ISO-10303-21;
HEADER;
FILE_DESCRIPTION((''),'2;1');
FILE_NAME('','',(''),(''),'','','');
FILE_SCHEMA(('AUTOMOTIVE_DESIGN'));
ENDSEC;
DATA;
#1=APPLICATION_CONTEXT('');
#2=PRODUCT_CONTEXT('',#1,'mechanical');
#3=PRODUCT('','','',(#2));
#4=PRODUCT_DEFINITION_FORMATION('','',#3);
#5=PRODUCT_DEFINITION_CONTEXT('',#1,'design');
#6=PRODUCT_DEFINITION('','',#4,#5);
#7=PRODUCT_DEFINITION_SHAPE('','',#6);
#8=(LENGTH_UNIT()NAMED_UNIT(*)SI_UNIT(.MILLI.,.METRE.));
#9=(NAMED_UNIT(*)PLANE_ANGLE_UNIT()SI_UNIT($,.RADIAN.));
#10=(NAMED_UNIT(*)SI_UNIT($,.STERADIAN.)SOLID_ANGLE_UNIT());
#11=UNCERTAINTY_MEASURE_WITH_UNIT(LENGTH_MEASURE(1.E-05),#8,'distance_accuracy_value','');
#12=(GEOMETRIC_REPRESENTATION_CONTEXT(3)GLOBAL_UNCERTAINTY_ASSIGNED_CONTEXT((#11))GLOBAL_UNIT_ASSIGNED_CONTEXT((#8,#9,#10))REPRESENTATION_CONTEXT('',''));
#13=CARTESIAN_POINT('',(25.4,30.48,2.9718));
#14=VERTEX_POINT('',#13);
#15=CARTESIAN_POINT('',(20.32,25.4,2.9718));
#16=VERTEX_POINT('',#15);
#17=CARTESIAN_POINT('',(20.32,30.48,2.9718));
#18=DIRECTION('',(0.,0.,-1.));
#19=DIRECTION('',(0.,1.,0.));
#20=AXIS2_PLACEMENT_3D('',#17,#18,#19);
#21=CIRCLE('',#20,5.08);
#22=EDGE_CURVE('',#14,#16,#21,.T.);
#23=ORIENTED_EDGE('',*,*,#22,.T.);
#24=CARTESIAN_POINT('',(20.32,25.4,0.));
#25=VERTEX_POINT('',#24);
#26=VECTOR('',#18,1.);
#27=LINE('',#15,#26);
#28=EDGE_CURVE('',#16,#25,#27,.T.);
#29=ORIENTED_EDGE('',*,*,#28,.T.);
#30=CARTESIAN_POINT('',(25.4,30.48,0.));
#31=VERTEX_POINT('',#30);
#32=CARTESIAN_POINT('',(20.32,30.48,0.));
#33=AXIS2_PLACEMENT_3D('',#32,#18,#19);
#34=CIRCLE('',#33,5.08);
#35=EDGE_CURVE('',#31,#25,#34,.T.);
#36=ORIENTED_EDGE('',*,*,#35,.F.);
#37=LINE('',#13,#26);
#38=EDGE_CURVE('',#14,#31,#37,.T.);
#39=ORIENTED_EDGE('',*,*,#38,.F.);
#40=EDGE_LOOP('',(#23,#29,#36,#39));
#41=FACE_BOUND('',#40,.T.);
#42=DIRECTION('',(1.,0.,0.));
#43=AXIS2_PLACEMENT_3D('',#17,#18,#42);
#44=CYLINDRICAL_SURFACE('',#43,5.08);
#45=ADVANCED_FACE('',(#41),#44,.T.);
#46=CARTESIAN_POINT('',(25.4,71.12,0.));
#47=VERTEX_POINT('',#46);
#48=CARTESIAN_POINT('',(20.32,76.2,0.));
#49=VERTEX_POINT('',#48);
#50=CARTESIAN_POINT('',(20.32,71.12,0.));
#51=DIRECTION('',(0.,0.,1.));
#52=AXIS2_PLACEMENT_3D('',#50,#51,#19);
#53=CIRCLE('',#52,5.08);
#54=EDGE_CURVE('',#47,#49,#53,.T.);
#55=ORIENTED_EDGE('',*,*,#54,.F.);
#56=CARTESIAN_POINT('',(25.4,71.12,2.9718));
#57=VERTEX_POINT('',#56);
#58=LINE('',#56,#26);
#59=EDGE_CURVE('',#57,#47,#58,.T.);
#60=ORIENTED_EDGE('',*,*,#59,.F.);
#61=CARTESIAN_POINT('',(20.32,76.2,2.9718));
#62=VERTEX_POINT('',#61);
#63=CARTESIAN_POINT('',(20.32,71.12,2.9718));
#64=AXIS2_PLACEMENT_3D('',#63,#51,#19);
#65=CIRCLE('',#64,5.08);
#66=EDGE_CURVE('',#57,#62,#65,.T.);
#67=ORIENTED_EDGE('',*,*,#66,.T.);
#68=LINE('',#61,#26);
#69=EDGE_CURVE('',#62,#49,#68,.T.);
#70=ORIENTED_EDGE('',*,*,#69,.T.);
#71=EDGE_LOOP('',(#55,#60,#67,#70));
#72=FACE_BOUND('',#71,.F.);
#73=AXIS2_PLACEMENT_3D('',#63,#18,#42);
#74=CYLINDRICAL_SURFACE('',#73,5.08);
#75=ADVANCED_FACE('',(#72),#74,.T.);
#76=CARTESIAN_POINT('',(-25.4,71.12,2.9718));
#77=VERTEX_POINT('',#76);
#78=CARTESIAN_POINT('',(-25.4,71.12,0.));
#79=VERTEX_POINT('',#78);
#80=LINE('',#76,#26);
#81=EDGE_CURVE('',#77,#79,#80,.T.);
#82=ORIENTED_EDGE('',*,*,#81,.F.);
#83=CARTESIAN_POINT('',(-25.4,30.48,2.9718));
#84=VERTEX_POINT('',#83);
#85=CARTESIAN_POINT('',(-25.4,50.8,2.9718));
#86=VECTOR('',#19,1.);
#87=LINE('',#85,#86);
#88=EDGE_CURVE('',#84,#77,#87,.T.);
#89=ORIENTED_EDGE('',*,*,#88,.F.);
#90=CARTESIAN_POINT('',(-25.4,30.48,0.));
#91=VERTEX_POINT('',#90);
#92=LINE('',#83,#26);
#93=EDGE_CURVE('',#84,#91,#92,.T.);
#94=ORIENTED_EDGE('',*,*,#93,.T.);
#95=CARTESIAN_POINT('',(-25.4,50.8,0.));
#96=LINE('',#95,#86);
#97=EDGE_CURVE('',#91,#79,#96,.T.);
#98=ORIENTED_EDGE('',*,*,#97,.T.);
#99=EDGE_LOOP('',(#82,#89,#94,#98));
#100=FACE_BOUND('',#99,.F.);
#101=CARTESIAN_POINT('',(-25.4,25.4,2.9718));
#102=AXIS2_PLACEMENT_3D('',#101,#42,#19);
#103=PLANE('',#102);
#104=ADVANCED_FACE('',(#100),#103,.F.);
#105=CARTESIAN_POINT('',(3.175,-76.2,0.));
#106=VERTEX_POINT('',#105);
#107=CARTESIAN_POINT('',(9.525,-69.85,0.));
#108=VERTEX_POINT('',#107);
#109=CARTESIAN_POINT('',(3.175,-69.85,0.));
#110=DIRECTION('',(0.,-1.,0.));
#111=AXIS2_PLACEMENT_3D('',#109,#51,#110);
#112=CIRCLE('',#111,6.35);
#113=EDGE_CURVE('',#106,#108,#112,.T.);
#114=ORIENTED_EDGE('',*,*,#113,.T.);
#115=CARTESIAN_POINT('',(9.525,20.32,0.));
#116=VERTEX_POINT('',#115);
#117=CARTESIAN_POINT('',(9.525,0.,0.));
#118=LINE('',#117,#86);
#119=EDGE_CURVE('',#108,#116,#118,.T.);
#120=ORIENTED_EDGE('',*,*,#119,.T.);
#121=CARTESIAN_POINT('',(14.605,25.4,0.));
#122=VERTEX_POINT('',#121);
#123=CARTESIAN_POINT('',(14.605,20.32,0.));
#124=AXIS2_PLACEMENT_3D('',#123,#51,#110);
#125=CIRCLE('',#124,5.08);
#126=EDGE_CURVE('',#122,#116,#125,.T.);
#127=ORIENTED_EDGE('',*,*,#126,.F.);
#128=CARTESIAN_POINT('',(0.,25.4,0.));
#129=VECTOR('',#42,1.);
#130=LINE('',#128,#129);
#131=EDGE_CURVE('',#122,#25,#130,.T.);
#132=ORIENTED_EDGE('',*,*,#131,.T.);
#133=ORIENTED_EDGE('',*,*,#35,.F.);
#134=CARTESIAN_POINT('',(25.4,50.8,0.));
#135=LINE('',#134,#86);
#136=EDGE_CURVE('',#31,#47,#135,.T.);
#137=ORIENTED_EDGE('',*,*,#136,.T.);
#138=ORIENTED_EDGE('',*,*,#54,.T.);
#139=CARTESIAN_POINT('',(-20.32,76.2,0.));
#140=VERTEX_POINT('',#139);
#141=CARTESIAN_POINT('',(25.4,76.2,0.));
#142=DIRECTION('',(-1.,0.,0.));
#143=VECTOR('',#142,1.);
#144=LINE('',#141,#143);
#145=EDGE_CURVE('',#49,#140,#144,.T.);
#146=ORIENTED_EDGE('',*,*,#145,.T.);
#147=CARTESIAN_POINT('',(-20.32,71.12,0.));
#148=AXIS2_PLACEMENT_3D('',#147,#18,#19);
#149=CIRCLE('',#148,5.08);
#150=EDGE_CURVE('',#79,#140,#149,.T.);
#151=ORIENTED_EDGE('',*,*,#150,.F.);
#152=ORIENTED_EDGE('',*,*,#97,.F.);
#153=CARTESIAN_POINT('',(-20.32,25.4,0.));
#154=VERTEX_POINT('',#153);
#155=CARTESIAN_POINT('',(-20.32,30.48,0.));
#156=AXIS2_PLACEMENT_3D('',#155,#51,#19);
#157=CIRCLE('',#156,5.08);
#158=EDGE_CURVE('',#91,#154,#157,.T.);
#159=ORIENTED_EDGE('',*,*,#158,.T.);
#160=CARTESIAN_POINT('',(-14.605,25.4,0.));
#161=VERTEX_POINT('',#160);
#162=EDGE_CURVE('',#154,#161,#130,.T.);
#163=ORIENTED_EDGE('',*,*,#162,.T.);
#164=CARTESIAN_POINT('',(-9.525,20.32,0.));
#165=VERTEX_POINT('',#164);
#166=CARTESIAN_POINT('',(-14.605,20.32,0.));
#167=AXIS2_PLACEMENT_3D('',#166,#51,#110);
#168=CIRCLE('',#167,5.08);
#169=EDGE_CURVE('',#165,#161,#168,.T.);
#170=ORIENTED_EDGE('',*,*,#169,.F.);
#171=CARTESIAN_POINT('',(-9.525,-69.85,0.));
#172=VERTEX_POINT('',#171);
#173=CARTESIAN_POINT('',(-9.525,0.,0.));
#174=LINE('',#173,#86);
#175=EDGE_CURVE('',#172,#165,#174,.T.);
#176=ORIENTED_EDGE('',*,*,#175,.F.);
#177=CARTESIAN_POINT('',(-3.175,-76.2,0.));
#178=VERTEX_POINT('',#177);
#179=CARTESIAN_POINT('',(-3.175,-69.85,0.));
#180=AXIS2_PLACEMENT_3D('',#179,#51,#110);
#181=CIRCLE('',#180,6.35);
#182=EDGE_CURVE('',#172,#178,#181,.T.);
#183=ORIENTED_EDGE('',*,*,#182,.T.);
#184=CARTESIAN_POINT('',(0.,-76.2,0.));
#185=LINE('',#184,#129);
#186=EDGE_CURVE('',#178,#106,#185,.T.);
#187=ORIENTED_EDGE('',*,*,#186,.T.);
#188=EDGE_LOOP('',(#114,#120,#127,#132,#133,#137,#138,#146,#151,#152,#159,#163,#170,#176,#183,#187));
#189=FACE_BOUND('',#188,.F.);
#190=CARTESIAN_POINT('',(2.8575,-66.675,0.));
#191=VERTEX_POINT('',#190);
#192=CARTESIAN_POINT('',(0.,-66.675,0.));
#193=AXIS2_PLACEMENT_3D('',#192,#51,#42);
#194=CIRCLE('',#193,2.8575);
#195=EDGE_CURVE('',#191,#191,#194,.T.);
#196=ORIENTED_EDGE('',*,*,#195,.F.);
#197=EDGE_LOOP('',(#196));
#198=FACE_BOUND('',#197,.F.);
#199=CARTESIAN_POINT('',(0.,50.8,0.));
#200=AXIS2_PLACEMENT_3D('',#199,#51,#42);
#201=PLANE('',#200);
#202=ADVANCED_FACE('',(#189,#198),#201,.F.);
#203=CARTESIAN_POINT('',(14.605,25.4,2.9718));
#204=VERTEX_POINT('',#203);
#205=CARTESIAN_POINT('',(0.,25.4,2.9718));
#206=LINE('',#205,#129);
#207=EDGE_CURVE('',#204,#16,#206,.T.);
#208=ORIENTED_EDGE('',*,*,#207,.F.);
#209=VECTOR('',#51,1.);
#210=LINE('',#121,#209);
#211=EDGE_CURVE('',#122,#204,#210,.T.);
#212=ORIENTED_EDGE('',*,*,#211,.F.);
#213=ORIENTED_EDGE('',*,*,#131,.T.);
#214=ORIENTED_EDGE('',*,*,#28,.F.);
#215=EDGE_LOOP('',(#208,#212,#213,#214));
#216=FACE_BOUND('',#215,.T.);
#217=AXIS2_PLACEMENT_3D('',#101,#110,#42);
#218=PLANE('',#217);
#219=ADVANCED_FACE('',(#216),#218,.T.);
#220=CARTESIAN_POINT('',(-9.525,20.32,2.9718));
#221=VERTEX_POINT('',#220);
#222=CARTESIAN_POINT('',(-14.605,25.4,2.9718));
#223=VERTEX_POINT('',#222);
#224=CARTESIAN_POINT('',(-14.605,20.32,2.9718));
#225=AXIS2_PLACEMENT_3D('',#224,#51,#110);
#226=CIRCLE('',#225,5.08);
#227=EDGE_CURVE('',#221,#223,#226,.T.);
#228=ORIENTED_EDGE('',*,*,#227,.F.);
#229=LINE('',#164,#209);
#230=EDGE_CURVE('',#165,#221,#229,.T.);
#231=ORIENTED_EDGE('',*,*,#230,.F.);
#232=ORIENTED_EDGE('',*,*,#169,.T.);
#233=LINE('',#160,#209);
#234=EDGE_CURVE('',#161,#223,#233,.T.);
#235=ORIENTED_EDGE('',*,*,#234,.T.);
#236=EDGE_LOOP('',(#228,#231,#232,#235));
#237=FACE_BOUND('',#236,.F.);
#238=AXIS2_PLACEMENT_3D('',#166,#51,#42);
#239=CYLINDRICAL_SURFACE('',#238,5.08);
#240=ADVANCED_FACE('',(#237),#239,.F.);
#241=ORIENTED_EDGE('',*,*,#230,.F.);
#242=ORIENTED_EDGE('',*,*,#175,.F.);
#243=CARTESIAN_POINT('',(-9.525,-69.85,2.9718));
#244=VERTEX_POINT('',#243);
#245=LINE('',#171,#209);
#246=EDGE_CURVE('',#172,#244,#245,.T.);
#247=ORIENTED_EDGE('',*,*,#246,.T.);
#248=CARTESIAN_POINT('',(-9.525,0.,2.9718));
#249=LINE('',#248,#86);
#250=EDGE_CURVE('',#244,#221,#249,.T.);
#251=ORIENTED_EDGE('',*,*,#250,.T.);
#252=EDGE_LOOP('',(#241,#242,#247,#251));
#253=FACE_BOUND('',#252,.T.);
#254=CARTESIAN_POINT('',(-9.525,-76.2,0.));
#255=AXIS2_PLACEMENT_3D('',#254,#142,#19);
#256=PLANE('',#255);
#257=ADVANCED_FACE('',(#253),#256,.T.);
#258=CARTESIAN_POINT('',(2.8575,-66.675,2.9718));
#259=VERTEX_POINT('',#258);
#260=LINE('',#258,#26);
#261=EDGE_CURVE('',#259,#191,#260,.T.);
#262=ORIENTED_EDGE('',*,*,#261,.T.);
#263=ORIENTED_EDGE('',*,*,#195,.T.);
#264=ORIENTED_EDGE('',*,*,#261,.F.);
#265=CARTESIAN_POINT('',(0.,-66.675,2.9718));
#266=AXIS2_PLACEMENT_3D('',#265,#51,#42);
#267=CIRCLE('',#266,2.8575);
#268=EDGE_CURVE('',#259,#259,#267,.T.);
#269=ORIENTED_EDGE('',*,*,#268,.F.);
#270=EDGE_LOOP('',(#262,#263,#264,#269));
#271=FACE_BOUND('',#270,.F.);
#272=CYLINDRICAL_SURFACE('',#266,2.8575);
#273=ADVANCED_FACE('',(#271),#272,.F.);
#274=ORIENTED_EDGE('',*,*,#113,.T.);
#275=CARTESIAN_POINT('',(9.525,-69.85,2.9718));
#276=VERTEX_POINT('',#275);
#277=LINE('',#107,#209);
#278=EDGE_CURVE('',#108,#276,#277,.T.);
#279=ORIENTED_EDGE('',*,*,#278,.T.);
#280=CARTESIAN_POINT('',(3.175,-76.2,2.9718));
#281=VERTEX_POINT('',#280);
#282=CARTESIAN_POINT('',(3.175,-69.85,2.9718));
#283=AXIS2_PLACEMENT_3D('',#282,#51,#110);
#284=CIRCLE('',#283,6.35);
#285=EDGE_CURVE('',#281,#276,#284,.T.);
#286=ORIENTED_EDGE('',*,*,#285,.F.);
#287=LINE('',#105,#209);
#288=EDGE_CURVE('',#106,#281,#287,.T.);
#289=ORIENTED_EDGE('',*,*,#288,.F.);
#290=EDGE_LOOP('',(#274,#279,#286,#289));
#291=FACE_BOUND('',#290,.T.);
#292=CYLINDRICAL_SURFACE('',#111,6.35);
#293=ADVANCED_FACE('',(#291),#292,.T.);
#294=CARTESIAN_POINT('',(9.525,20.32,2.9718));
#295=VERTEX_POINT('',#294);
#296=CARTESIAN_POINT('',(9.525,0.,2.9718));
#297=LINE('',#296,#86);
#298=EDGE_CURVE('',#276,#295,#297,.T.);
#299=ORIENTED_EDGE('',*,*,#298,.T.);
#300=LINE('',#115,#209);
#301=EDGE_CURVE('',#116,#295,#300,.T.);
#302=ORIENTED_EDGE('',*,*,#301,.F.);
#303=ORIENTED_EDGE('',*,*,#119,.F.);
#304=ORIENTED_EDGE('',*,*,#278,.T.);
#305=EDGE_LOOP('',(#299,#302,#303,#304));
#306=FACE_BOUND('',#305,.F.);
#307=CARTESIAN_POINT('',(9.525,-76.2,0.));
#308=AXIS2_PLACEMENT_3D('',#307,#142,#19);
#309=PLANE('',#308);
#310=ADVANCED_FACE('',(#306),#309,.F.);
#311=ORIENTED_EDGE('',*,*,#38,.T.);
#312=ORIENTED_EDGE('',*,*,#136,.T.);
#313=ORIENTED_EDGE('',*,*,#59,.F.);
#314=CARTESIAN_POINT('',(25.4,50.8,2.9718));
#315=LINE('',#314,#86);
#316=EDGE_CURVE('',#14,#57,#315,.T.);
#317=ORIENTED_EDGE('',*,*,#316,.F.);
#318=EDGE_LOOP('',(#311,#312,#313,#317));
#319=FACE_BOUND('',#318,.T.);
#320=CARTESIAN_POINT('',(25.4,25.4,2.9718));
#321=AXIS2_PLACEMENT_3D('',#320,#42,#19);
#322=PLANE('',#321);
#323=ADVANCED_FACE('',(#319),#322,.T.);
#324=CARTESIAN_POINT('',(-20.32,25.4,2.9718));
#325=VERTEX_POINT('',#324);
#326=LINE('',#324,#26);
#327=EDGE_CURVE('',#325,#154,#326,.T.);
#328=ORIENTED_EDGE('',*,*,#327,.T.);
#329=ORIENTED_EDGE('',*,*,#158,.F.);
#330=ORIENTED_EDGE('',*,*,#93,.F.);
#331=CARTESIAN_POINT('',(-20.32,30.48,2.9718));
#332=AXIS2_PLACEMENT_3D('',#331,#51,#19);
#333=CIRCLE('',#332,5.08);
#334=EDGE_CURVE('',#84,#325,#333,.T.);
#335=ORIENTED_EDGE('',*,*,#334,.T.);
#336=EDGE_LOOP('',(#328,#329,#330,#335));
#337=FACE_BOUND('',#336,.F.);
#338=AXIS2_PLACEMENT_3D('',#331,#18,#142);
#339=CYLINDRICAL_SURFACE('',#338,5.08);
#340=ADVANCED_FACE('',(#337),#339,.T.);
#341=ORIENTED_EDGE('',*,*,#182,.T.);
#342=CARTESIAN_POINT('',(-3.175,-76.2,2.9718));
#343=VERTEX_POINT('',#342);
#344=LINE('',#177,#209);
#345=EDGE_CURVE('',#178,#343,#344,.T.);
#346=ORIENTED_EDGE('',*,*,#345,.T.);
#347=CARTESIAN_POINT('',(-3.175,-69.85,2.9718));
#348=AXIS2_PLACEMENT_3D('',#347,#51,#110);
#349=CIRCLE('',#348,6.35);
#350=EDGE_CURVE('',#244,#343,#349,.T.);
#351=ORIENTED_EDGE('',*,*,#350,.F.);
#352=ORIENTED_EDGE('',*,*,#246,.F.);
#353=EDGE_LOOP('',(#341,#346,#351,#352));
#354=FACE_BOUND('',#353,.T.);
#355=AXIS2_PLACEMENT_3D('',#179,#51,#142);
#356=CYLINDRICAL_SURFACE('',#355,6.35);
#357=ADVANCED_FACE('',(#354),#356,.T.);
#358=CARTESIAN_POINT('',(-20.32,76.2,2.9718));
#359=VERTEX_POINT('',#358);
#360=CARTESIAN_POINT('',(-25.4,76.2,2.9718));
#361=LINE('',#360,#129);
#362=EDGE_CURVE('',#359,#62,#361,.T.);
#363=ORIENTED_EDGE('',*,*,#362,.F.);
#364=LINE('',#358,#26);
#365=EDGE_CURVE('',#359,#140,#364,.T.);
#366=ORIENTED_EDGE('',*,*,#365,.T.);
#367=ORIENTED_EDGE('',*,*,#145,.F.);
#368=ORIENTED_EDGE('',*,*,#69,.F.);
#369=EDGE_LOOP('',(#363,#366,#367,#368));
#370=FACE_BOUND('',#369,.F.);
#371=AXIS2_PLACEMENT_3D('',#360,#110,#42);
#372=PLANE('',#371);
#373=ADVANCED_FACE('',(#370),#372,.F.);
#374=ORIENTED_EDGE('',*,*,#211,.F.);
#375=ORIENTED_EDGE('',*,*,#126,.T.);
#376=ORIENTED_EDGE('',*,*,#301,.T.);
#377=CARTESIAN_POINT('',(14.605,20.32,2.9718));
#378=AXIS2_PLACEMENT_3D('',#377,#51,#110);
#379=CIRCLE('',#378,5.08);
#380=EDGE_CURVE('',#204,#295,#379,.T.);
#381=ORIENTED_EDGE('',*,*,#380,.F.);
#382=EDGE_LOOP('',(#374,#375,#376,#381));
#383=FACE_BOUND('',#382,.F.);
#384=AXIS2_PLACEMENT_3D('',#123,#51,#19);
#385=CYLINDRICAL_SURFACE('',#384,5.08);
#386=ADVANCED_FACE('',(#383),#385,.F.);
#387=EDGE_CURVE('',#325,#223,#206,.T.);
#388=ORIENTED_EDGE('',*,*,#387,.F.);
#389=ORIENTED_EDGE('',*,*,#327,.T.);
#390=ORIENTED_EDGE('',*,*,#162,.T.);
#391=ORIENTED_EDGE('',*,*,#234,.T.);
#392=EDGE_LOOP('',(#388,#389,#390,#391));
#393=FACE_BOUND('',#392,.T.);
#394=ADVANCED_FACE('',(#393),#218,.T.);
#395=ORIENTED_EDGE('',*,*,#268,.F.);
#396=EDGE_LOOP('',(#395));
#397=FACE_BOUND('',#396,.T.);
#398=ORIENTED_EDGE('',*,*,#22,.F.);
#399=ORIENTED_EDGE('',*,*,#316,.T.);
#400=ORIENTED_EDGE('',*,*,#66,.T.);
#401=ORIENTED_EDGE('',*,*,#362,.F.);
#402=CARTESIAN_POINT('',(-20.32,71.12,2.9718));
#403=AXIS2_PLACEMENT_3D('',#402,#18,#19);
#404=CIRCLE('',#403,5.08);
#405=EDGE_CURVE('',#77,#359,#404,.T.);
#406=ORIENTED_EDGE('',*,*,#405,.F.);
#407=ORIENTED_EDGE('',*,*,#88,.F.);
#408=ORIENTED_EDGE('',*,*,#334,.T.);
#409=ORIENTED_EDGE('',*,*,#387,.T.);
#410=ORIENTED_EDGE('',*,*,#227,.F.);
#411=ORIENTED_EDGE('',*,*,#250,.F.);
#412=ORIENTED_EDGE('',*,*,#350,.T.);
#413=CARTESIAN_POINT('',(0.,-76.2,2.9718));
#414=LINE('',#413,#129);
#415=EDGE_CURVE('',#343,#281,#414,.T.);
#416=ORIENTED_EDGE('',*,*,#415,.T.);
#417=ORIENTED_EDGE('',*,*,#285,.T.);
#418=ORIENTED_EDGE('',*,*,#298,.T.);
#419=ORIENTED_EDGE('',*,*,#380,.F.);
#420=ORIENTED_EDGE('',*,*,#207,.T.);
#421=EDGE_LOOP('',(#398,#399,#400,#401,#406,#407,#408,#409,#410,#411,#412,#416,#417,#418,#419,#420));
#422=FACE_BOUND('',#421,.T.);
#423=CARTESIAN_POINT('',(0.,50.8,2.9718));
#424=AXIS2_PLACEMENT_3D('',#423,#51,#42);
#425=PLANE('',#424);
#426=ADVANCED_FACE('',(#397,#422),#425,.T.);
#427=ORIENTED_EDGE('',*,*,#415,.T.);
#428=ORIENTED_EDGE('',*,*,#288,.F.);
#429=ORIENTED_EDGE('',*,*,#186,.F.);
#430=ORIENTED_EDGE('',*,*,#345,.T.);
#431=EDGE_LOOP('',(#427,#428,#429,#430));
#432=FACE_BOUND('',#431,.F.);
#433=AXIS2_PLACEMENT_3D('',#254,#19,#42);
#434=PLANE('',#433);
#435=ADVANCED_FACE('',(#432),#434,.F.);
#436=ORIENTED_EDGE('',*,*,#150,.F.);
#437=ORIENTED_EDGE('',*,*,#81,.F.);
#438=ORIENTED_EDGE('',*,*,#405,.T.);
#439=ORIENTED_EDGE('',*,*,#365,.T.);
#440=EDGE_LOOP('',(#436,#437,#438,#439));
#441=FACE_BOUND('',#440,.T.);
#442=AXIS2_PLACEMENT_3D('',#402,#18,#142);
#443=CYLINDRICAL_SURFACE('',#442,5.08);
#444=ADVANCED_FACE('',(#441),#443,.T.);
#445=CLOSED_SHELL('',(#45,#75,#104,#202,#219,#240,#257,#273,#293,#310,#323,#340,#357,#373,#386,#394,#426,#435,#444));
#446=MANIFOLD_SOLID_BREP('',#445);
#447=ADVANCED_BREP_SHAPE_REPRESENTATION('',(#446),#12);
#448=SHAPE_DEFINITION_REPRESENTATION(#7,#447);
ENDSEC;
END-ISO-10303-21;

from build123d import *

# Parameters (mm, degrees)
F0_W     = 19.05
F0_H     = 152.4
F1_DEPTH = 2.9718
F2_R     = 6.35
F3_R     = 2.8575
F4_DEPTH = 25.4
F5_W     = 50.8
F5_H     = 50.8
F6_DEPTH = 2.9718
F7_R     = 5.08


with BuildPart() as f1:
    # F0 (on Top) → F1 (new body)
    with BuildSketch(Plane.XY):
        Rectangle(F0_W, F0_H)
    extrude(amount=F1_DEPTH)

    # F2
    f2_edges = [f1.edges().sort_by_distance(p)[0] for p in [
        (9.525, -76.2, 1.4859),
        (-9.525, -76.2, 1.4859),
    ]]
    fillet(f2_edges, radius=F2_R)

    # F3 (on face) → F4 (cut)
    with BuildSketch(Plane.XY.offset(2.9718)):
        with Locations((0, -66.675)):
            Circle(F3_R)
    extrude(amount=-F4_DEPTH, mode=Mode.SUBTRACT)

    # F5 (on face) → F6 (join)
    with BuildSketch(Plane.XY.offset(2.9718)):
        with Locations((0, 50.8)):
            Rectangle(F5_W, F5_H)
    extrude(amount=-F6_DEPTH)

    # F7
    f7_edges = [f1.edges().sort_by_distance(p)[0] for p in [
        (9.525, 25.4, 1.4859),
        (25.4, 25.4, 1.4859),
        (-9.525, 25.4, 1.4859),
        (-25.4, 25.4, 1.4859),
        (25.4, 76.2, 1.4859),
        (-25.4, 76.2, 1.4859),
    ]]
    fillet(f7_edges, radius=F7_R)


solid = f1.part
